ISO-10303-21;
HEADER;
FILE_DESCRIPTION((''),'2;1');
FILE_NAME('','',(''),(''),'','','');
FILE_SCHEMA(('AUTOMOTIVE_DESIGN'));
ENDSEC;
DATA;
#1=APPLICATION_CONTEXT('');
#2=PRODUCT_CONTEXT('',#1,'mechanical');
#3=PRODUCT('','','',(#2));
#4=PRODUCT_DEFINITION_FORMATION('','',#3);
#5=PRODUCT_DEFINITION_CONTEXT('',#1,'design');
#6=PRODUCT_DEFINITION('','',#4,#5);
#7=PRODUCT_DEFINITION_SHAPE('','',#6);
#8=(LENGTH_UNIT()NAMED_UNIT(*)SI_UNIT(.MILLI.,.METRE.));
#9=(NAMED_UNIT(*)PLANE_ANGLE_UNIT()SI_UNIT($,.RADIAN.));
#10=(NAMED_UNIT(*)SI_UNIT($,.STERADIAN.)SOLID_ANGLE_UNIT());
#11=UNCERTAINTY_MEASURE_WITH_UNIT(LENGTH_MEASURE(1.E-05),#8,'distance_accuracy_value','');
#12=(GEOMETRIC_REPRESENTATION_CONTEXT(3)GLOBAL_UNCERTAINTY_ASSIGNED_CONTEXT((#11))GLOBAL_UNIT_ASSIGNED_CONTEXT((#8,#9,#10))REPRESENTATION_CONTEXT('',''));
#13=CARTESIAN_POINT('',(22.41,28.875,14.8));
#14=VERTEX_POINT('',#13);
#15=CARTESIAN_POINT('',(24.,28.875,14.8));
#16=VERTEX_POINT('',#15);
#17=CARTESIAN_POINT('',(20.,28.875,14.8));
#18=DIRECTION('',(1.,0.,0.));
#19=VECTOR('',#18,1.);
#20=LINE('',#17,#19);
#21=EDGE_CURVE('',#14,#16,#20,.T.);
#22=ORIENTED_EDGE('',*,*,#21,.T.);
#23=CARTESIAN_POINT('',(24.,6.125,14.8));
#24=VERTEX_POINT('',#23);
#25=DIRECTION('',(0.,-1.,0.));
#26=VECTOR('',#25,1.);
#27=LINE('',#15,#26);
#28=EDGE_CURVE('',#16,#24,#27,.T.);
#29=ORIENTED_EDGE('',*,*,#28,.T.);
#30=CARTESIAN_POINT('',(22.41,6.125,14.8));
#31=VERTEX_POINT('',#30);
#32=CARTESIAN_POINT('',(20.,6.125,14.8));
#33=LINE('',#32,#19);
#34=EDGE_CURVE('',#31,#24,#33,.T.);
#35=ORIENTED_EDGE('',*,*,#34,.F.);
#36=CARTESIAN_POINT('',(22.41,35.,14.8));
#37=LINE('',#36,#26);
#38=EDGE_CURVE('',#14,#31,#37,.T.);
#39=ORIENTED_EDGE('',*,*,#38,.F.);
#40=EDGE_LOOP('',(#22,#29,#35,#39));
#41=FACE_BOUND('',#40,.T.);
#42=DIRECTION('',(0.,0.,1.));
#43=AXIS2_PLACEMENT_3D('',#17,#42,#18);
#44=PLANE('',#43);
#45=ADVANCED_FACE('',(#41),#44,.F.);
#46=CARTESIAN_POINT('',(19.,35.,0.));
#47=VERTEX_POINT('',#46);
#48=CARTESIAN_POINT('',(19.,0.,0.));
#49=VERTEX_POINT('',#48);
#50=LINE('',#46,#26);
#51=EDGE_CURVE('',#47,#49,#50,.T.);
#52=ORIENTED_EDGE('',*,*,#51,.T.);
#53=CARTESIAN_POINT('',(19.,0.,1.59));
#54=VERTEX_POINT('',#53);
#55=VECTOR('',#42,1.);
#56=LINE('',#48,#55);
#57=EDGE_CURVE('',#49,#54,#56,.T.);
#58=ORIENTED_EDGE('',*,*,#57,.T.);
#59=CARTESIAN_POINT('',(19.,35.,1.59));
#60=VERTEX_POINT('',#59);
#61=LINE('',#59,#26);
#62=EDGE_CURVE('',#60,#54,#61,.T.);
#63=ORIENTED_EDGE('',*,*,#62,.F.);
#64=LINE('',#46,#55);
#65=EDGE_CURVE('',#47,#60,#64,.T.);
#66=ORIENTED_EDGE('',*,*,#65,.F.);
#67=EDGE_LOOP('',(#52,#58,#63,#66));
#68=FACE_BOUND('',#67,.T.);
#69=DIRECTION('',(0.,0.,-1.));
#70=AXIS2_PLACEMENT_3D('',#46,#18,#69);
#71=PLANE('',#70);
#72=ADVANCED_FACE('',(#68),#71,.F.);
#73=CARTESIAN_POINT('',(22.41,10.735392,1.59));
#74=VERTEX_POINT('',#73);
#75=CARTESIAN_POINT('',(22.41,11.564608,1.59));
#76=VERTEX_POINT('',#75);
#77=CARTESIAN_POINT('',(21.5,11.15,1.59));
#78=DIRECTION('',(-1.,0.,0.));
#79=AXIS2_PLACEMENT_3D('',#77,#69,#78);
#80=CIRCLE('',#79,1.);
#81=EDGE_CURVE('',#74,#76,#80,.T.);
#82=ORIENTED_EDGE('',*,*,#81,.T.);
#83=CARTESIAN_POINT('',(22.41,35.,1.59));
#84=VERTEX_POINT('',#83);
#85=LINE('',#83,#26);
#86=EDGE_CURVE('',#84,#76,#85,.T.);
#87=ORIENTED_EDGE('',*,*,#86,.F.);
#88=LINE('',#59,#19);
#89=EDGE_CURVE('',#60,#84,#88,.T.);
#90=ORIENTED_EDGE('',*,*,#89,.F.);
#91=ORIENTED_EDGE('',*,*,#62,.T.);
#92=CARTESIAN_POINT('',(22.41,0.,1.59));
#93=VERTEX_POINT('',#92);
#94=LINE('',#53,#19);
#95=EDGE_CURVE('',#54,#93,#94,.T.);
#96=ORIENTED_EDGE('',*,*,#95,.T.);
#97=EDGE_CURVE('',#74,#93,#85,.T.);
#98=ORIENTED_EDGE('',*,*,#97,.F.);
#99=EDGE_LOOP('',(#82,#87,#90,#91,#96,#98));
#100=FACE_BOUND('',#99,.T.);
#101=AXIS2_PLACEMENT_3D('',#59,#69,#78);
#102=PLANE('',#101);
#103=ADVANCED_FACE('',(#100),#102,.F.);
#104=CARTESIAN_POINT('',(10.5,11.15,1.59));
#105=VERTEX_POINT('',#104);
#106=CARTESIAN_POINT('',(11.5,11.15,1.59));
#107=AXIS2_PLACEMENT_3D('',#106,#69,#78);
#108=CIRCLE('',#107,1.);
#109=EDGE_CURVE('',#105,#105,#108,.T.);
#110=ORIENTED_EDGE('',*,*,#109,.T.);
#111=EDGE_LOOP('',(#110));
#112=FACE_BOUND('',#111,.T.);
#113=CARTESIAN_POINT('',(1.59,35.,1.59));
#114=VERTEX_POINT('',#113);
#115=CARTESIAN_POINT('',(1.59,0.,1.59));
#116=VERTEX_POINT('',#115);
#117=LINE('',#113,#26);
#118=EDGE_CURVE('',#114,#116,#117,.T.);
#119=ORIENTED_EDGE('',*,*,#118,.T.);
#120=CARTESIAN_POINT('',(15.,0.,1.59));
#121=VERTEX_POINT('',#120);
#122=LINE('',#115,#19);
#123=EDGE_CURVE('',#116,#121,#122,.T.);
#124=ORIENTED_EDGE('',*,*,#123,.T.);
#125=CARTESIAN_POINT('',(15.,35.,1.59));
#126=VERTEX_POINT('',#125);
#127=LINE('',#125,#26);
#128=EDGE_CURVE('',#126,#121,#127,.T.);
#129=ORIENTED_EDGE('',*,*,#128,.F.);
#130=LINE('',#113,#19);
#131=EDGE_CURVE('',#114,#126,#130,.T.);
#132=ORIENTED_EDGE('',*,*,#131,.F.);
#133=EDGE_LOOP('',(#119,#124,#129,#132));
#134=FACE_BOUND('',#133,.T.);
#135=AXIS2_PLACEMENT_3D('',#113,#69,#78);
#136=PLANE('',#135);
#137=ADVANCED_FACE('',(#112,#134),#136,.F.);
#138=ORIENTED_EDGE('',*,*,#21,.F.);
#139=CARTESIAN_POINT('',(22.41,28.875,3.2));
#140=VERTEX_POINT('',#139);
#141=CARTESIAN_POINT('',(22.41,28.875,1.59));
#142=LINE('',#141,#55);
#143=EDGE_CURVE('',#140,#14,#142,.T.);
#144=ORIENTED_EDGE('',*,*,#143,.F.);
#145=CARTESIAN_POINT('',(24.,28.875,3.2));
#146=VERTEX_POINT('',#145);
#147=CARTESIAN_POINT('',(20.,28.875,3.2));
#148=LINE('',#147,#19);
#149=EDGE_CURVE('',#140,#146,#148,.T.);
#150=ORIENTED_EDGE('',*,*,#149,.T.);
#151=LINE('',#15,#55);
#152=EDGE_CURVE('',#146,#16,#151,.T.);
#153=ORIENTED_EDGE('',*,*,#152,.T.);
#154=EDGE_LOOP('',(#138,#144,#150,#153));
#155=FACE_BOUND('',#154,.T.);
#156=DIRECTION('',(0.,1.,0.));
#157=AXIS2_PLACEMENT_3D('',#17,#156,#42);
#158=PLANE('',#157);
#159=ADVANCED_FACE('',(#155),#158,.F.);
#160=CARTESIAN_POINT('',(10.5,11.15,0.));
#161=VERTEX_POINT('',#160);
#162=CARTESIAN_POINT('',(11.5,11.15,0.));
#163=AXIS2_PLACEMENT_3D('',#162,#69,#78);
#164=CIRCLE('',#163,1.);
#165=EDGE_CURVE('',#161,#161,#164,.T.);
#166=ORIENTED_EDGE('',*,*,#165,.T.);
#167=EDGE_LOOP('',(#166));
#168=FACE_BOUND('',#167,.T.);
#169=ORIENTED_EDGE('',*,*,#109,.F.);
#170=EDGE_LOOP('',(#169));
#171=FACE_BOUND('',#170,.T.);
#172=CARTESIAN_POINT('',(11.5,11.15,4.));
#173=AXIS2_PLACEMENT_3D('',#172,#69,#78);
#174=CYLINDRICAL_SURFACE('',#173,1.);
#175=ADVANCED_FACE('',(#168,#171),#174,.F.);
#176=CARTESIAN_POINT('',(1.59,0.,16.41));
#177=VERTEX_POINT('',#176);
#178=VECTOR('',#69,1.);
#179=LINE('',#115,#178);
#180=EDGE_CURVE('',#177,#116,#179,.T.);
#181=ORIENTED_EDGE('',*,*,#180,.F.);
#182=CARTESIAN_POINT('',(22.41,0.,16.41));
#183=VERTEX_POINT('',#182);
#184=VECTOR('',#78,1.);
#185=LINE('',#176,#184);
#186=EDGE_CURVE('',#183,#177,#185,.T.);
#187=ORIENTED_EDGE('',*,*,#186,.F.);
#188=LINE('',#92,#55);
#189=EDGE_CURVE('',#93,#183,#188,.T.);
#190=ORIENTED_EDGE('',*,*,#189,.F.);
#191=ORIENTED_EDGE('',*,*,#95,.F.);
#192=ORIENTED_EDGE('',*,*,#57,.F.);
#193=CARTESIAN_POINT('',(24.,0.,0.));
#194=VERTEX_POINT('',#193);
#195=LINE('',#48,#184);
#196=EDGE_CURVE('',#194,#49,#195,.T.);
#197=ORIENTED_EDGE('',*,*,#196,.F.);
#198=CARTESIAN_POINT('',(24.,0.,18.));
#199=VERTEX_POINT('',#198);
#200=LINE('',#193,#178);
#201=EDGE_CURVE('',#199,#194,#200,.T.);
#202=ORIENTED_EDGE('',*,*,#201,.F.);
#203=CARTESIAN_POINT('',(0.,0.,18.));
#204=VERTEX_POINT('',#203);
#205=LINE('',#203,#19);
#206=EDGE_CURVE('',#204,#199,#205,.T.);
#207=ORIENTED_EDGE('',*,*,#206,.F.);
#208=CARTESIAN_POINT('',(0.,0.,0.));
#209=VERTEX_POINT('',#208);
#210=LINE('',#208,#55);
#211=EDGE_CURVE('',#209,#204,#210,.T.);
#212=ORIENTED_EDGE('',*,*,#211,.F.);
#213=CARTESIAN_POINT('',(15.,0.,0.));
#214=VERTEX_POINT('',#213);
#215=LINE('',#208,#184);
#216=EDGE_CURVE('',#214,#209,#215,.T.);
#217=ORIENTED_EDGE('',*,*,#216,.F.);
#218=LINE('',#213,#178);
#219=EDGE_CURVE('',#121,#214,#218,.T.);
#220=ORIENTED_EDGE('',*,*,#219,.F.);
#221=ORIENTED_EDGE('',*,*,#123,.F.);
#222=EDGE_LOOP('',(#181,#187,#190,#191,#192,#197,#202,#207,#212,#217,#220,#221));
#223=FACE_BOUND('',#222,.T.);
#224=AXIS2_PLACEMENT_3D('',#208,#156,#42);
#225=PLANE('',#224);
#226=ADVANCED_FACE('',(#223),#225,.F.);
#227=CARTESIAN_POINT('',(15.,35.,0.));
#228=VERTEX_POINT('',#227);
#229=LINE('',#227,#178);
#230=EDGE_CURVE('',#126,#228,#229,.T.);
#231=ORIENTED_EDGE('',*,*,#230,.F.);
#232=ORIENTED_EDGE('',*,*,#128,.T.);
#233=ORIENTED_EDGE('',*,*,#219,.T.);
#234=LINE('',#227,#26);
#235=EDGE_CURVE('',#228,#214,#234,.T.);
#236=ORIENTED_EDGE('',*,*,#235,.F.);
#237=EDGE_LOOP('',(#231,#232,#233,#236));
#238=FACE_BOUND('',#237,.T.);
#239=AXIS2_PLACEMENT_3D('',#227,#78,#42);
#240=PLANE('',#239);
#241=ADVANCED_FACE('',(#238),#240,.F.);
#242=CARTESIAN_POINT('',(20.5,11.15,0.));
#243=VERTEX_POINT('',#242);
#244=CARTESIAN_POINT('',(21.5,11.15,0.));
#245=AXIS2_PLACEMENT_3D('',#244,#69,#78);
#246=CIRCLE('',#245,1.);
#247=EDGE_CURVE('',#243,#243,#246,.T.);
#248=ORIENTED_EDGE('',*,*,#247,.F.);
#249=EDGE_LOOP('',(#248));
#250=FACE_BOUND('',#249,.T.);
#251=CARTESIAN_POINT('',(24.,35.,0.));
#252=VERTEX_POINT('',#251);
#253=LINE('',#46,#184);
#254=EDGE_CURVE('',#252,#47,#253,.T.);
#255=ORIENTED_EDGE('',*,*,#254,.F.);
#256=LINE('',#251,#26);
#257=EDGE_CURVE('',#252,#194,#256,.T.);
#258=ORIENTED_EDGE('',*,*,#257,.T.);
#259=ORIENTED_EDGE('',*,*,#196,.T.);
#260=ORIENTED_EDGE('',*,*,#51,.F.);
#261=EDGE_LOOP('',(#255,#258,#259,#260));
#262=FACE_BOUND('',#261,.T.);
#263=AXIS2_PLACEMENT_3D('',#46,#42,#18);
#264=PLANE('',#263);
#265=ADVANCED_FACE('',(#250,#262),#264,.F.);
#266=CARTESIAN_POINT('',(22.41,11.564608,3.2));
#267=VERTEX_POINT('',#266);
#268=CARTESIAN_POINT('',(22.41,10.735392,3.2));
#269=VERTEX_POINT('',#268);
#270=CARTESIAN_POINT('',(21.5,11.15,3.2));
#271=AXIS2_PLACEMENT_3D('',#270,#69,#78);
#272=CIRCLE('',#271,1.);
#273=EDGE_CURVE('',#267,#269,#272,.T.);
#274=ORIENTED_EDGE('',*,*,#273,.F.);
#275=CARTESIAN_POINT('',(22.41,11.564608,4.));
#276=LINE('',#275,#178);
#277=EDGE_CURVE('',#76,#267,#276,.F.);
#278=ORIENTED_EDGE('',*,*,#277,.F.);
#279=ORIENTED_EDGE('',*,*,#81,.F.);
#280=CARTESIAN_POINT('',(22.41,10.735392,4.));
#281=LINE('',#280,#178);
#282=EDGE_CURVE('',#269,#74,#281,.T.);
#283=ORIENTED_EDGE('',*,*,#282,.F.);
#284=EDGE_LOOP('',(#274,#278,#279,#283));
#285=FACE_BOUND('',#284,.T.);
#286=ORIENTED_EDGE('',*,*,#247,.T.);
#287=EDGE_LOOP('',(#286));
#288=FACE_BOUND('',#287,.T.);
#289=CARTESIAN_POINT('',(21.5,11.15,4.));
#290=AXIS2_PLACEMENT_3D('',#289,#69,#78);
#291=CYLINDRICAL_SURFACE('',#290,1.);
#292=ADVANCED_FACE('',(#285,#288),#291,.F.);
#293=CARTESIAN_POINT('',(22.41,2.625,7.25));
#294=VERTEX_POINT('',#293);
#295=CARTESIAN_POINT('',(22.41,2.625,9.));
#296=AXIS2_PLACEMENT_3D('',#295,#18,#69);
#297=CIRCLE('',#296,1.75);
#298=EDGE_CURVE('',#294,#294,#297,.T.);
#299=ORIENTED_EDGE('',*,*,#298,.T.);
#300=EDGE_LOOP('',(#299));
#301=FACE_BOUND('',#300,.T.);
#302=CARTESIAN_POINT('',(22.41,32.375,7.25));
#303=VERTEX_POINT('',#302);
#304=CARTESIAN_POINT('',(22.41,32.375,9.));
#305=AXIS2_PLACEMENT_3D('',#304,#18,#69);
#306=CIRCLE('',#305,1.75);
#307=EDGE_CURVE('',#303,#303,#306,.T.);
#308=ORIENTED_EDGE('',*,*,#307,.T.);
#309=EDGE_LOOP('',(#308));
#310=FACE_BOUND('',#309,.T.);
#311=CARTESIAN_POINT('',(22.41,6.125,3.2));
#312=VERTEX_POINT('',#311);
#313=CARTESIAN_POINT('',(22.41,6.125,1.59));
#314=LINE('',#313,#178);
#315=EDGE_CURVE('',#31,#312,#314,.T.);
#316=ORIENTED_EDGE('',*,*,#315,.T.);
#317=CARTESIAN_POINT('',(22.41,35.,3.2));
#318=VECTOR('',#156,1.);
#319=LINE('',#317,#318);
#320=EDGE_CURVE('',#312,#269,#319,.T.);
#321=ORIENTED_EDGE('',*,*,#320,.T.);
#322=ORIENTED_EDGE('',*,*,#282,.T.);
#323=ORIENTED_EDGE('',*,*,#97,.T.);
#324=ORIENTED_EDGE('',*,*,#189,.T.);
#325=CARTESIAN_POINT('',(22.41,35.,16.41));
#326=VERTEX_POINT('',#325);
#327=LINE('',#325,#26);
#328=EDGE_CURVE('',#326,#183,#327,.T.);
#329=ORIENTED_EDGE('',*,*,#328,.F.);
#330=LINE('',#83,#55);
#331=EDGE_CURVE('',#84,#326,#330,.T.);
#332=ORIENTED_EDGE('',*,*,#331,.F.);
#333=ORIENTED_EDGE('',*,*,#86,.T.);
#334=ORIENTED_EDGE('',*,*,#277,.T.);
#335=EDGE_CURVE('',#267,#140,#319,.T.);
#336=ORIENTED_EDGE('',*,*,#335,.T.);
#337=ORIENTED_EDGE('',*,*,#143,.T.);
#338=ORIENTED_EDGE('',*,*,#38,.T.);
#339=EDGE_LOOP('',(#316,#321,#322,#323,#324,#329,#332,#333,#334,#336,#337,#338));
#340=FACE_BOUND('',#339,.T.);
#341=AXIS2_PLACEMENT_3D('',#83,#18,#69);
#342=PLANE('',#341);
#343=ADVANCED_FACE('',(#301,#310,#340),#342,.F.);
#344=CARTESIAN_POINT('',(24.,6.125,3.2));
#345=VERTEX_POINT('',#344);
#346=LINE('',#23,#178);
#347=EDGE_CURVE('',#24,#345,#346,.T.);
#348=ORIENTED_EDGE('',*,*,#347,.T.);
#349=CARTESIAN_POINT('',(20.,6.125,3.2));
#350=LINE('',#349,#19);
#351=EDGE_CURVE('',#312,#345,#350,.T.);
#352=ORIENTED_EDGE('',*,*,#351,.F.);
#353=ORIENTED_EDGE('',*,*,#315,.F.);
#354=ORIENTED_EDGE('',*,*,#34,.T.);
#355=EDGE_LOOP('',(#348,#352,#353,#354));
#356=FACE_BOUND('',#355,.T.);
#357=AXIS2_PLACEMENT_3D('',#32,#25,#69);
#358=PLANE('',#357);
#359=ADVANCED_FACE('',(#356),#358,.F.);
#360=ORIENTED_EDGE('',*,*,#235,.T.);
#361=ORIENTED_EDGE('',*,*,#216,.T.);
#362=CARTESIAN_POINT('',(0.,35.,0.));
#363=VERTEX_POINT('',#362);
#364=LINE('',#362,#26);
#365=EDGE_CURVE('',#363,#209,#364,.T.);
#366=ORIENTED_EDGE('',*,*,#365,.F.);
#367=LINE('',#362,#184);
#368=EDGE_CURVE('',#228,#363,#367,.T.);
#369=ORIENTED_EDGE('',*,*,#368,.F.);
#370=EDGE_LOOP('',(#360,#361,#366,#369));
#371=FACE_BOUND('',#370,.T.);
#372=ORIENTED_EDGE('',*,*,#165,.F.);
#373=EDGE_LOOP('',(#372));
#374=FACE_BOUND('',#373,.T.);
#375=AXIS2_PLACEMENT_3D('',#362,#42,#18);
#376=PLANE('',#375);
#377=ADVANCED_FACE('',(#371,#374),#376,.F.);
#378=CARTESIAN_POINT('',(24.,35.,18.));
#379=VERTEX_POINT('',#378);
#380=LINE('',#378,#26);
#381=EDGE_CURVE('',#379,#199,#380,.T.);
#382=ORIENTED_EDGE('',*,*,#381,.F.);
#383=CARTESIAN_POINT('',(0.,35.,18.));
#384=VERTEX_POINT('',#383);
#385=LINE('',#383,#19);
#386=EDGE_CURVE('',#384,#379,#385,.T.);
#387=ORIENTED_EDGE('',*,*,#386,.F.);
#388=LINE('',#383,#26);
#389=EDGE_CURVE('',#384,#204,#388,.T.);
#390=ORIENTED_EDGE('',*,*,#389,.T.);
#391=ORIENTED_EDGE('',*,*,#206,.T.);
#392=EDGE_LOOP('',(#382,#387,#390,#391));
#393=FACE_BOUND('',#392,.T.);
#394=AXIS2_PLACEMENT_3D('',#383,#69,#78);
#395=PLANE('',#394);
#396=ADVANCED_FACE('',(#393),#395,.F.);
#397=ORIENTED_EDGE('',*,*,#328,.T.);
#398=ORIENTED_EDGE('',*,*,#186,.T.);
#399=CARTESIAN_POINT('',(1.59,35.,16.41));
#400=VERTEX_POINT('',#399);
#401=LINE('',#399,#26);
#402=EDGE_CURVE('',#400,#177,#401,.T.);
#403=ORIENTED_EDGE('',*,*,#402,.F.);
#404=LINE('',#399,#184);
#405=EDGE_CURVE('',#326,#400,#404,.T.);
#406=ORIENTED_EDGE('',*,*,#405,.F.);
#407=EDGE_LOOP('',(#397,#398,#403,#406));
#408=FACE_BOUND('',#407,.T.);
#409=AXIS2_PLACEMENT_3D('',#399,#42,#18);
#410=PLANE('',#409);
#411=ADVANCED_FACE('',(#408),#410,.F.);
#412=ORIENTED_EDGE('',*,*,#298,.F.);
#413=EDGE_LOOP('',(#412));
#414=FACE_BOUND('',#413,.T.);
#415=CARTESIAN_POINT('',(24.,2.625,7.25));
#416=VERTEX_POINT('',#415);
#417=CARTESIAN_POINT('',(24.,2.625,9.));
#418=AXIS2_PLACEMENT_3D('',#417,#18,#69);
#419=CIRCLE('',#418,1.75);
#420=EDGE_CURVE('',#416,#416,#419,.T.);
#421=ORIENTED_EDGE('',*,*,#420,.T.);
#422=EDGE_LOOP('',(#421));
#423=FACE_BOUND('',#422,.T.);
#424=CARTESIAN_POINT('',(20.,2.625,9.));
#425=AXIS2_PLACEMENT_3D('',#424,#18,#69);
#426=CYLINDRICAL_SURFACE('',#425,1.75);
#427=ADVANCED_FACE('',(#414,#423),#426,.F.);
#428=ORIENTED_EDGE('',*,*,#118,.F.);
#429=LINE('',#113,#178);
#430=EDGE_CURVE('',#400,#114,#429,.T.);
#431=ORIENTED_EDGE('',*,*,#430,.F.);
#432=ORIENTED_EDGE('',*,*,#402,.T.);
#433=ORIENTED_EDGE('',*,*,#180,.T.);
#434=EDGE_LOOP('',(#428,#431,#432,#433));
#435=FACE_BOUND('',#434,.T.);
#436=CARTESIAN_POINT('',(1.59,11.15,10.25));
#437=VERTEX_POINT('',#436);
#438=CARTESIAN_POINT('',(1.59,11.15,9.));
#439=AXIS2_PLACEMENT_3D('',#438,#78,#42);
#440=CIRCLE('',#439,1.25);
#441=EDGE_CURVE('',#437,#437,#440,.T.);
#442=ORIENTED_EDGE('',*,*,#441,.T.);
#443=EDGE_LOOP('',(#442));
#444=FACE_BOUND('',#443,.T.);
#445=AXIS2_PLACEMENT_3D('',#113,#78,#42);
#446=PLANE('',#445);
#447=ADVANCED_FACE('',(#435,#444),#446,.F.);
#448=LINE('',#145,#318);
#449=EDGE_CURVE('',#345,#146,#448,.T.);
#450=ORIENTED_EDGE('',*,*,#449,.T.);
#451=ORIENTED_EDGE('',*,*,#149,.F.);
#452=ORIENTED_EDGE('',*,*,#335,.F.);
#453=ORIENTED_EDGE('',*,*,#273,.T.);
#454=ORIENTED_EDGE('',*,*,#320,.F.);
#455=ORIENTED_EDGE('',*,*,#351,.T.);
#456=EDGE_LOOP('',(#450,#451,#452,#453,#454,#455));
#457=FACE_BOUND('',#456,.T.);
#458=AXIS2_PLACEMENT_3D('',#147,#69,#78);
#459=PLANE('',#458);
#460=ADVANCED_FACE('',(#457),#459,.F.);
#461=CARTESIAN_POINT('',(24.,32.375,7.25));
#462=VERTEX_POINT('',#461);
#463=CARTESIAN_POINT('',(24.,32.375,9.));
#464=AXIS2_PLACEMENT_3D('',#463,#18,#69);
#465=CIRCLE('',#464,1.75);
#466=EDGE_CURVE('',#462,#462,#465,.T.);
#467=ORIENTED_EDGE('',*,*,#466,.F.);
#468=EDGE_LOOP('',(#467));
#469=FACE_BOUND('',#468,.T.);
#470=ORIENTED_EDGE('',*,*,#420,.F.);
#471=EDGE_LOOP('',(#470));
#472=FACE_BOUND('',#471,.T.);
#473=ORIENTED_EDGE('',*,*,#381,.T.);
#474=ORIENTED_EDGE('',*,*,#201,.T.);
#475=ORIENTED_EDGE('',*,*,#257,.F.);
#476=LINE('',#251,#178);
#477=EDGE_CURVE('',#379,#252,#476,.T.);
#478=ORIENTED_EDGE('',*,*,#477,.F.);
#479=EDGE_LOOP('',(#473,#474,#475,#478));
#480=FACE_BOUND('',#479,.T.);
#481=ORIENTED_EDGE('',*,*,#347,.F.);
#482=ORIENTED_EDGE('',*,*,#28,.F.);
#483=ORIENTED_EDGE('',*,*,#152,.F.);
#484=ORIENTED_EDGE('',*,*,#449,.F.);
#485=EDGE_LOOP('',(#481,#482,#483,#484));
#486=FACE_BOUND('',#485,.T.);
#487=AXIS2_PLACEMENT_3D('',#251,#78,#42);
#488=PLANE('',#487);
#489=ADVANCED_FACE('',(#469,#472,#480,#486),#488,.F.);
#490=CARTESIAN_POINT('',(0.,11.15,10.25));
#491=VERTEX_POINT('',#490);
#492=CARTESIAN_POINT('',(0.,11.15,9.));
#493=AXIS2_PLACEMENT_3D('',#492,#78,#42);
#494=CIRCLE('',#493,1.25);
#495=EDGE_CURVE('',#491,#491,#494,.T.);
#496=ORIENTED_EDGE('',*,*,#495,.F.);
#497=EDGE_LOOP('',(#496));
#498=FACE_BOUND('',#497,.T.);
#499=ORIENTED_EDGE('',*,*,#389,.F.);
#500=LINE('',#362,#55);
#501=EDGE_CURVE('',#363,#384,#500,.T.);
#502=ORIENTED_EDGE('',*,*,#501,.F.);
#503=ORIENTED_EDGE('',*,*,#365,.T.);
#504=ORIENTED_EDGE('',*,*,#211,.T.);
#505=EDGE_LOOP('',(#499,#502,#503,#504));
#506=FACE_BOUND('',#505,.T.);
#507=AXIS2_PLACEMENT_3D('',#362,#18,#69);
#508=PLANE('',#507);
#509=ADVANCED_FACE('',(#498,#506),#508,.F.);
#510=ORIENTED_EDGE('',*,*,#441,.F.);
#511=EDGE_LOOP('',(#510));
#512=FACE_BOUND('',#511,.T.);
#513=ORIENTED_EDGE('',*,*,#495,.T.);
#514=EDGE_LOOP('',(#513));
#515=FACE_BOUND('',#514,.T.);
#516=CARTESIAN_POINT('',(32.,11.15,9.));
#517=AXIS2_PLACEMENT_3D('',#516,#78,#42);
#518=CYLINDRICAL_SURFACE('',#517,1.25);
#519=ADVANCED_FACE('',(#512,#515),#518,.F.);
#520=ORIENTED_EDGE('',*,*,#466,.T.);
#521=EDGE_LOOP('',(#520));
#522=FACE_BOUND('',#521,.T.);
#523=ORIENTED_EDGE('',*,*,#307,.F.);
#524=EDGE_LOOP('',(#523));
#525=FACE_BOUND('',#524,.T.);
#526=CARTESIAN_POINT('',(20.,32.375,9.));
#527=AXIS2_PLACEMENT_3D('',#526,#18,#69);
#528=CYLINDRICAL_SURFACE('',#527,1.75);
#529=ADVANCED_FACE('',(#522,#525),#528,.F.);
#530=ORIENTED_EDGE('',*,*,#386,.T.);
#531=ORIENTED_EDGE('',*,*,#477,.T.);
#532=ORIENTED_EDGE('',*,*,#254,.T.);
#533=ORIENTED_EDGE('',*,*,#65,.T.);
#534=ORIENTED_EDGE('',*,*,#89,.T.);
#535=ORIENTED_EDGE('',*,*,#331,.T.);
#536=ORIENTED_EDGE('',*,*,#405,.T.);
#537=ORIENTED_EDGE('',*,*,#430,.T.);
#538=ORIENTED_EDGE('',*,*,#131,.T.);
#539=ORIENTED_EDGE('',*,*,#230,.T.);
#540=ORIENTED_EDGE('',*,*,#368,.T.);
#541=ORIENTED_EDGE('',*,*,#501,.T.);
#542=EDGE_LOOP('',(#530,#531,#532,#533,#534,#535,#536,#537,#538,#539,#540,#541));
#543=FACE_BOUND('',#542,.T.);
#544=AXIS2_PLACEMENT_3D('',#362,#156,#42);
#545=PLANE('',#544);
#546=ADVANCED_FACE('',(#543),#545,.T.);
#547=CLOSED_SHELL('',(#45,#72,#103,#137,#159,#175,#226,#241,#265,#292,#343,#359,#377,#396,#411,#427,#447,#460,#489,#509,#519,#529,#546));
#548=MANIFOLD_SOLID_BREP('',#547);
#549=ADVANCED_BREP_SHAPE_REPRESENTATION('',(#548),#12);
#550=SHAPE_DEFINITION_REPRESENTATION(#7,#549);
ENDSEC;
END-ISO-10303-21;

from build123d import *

# Parameters (mm, degrees)
BOSS_EXTRUDE1_DEPTH = 35
SKETCH2_R           = 1.75
SKETCH2_W           = 11.6
SKETCH2_H           = 22.75
CUT_EXTRUDE1_DEPTH  = 4
SKETCH3_R           = 1.25
CUT_EXTRUDE2_DEPTH  = 32
SKETCH4_R           = 1
CUT_EXTRUDE3_DEPTH  = 4


with BuildPart() as part:
    # Sketch1 → Boss-Extrude1 (new body)
    with BuildSketch(Plane(origin=(0, 0, 0), x_dir=(1, 0, 0), z_dir=(0, 1, 0))):
        Polygon((15, 0), (15, -1.59), (1.59, -1.59), (1.59, -16.41), (22.41, -16.41), (22.41, -1.59), (19, -1.59), (19, 0), (24, 0), (24, -18), (0, -18), (0, 0), align=None)
    extrude(amount=BOSS_EXTRUDE1_DEPTH)

    # Sketch2 → Cut-Extrude1 (cut)
    with BuildSketch(Plane(origin=(24, 0, 0), x_dir=(0, 0, -1), z_dir=(1, 0, 0))):
        with Locations((-9, 32.375)):
            Circle(SKETCH2_R)
        with Locations((-9, 2.625)):
            Circle(SKETCH2_R)
        with Locations((-9, 17.5)):
            Rectangle(SKETCH2_W, SKETCH2_H)
    extrude(amount=-CUT_EXTRUDE1_DEPTH, mode=Mode.SUBTRACT)

    # Sketch3 → Cut-Extrude2 (cut)
    with BuildSketch(Plane.ZY):
        with Locations((9, 11.15)):
            Circle(SKETCH3_R)
    extrude(amount=-CUT_EXTRUDE2_DEPTH, mode=Mode.SUBTRACT)

    # Sketch4 → Cut-Extrude3 (cut)
    with BuildSketch(Plane(origin=(0, 0, 0), x_dir=(-1, 0, 0), z_dir=(0, 0, -1))):
        with Locations((-11.5, 11.15)):
            Circle(SKETCH4_R)
        with Locations((-21.5, 11.15)):
            Circle(SKETCH4_R)
    extrude(amount=-CUT_EXTRUDE3_DEPTH, mode=Mode.SUBTRACT)


solid = part.part
